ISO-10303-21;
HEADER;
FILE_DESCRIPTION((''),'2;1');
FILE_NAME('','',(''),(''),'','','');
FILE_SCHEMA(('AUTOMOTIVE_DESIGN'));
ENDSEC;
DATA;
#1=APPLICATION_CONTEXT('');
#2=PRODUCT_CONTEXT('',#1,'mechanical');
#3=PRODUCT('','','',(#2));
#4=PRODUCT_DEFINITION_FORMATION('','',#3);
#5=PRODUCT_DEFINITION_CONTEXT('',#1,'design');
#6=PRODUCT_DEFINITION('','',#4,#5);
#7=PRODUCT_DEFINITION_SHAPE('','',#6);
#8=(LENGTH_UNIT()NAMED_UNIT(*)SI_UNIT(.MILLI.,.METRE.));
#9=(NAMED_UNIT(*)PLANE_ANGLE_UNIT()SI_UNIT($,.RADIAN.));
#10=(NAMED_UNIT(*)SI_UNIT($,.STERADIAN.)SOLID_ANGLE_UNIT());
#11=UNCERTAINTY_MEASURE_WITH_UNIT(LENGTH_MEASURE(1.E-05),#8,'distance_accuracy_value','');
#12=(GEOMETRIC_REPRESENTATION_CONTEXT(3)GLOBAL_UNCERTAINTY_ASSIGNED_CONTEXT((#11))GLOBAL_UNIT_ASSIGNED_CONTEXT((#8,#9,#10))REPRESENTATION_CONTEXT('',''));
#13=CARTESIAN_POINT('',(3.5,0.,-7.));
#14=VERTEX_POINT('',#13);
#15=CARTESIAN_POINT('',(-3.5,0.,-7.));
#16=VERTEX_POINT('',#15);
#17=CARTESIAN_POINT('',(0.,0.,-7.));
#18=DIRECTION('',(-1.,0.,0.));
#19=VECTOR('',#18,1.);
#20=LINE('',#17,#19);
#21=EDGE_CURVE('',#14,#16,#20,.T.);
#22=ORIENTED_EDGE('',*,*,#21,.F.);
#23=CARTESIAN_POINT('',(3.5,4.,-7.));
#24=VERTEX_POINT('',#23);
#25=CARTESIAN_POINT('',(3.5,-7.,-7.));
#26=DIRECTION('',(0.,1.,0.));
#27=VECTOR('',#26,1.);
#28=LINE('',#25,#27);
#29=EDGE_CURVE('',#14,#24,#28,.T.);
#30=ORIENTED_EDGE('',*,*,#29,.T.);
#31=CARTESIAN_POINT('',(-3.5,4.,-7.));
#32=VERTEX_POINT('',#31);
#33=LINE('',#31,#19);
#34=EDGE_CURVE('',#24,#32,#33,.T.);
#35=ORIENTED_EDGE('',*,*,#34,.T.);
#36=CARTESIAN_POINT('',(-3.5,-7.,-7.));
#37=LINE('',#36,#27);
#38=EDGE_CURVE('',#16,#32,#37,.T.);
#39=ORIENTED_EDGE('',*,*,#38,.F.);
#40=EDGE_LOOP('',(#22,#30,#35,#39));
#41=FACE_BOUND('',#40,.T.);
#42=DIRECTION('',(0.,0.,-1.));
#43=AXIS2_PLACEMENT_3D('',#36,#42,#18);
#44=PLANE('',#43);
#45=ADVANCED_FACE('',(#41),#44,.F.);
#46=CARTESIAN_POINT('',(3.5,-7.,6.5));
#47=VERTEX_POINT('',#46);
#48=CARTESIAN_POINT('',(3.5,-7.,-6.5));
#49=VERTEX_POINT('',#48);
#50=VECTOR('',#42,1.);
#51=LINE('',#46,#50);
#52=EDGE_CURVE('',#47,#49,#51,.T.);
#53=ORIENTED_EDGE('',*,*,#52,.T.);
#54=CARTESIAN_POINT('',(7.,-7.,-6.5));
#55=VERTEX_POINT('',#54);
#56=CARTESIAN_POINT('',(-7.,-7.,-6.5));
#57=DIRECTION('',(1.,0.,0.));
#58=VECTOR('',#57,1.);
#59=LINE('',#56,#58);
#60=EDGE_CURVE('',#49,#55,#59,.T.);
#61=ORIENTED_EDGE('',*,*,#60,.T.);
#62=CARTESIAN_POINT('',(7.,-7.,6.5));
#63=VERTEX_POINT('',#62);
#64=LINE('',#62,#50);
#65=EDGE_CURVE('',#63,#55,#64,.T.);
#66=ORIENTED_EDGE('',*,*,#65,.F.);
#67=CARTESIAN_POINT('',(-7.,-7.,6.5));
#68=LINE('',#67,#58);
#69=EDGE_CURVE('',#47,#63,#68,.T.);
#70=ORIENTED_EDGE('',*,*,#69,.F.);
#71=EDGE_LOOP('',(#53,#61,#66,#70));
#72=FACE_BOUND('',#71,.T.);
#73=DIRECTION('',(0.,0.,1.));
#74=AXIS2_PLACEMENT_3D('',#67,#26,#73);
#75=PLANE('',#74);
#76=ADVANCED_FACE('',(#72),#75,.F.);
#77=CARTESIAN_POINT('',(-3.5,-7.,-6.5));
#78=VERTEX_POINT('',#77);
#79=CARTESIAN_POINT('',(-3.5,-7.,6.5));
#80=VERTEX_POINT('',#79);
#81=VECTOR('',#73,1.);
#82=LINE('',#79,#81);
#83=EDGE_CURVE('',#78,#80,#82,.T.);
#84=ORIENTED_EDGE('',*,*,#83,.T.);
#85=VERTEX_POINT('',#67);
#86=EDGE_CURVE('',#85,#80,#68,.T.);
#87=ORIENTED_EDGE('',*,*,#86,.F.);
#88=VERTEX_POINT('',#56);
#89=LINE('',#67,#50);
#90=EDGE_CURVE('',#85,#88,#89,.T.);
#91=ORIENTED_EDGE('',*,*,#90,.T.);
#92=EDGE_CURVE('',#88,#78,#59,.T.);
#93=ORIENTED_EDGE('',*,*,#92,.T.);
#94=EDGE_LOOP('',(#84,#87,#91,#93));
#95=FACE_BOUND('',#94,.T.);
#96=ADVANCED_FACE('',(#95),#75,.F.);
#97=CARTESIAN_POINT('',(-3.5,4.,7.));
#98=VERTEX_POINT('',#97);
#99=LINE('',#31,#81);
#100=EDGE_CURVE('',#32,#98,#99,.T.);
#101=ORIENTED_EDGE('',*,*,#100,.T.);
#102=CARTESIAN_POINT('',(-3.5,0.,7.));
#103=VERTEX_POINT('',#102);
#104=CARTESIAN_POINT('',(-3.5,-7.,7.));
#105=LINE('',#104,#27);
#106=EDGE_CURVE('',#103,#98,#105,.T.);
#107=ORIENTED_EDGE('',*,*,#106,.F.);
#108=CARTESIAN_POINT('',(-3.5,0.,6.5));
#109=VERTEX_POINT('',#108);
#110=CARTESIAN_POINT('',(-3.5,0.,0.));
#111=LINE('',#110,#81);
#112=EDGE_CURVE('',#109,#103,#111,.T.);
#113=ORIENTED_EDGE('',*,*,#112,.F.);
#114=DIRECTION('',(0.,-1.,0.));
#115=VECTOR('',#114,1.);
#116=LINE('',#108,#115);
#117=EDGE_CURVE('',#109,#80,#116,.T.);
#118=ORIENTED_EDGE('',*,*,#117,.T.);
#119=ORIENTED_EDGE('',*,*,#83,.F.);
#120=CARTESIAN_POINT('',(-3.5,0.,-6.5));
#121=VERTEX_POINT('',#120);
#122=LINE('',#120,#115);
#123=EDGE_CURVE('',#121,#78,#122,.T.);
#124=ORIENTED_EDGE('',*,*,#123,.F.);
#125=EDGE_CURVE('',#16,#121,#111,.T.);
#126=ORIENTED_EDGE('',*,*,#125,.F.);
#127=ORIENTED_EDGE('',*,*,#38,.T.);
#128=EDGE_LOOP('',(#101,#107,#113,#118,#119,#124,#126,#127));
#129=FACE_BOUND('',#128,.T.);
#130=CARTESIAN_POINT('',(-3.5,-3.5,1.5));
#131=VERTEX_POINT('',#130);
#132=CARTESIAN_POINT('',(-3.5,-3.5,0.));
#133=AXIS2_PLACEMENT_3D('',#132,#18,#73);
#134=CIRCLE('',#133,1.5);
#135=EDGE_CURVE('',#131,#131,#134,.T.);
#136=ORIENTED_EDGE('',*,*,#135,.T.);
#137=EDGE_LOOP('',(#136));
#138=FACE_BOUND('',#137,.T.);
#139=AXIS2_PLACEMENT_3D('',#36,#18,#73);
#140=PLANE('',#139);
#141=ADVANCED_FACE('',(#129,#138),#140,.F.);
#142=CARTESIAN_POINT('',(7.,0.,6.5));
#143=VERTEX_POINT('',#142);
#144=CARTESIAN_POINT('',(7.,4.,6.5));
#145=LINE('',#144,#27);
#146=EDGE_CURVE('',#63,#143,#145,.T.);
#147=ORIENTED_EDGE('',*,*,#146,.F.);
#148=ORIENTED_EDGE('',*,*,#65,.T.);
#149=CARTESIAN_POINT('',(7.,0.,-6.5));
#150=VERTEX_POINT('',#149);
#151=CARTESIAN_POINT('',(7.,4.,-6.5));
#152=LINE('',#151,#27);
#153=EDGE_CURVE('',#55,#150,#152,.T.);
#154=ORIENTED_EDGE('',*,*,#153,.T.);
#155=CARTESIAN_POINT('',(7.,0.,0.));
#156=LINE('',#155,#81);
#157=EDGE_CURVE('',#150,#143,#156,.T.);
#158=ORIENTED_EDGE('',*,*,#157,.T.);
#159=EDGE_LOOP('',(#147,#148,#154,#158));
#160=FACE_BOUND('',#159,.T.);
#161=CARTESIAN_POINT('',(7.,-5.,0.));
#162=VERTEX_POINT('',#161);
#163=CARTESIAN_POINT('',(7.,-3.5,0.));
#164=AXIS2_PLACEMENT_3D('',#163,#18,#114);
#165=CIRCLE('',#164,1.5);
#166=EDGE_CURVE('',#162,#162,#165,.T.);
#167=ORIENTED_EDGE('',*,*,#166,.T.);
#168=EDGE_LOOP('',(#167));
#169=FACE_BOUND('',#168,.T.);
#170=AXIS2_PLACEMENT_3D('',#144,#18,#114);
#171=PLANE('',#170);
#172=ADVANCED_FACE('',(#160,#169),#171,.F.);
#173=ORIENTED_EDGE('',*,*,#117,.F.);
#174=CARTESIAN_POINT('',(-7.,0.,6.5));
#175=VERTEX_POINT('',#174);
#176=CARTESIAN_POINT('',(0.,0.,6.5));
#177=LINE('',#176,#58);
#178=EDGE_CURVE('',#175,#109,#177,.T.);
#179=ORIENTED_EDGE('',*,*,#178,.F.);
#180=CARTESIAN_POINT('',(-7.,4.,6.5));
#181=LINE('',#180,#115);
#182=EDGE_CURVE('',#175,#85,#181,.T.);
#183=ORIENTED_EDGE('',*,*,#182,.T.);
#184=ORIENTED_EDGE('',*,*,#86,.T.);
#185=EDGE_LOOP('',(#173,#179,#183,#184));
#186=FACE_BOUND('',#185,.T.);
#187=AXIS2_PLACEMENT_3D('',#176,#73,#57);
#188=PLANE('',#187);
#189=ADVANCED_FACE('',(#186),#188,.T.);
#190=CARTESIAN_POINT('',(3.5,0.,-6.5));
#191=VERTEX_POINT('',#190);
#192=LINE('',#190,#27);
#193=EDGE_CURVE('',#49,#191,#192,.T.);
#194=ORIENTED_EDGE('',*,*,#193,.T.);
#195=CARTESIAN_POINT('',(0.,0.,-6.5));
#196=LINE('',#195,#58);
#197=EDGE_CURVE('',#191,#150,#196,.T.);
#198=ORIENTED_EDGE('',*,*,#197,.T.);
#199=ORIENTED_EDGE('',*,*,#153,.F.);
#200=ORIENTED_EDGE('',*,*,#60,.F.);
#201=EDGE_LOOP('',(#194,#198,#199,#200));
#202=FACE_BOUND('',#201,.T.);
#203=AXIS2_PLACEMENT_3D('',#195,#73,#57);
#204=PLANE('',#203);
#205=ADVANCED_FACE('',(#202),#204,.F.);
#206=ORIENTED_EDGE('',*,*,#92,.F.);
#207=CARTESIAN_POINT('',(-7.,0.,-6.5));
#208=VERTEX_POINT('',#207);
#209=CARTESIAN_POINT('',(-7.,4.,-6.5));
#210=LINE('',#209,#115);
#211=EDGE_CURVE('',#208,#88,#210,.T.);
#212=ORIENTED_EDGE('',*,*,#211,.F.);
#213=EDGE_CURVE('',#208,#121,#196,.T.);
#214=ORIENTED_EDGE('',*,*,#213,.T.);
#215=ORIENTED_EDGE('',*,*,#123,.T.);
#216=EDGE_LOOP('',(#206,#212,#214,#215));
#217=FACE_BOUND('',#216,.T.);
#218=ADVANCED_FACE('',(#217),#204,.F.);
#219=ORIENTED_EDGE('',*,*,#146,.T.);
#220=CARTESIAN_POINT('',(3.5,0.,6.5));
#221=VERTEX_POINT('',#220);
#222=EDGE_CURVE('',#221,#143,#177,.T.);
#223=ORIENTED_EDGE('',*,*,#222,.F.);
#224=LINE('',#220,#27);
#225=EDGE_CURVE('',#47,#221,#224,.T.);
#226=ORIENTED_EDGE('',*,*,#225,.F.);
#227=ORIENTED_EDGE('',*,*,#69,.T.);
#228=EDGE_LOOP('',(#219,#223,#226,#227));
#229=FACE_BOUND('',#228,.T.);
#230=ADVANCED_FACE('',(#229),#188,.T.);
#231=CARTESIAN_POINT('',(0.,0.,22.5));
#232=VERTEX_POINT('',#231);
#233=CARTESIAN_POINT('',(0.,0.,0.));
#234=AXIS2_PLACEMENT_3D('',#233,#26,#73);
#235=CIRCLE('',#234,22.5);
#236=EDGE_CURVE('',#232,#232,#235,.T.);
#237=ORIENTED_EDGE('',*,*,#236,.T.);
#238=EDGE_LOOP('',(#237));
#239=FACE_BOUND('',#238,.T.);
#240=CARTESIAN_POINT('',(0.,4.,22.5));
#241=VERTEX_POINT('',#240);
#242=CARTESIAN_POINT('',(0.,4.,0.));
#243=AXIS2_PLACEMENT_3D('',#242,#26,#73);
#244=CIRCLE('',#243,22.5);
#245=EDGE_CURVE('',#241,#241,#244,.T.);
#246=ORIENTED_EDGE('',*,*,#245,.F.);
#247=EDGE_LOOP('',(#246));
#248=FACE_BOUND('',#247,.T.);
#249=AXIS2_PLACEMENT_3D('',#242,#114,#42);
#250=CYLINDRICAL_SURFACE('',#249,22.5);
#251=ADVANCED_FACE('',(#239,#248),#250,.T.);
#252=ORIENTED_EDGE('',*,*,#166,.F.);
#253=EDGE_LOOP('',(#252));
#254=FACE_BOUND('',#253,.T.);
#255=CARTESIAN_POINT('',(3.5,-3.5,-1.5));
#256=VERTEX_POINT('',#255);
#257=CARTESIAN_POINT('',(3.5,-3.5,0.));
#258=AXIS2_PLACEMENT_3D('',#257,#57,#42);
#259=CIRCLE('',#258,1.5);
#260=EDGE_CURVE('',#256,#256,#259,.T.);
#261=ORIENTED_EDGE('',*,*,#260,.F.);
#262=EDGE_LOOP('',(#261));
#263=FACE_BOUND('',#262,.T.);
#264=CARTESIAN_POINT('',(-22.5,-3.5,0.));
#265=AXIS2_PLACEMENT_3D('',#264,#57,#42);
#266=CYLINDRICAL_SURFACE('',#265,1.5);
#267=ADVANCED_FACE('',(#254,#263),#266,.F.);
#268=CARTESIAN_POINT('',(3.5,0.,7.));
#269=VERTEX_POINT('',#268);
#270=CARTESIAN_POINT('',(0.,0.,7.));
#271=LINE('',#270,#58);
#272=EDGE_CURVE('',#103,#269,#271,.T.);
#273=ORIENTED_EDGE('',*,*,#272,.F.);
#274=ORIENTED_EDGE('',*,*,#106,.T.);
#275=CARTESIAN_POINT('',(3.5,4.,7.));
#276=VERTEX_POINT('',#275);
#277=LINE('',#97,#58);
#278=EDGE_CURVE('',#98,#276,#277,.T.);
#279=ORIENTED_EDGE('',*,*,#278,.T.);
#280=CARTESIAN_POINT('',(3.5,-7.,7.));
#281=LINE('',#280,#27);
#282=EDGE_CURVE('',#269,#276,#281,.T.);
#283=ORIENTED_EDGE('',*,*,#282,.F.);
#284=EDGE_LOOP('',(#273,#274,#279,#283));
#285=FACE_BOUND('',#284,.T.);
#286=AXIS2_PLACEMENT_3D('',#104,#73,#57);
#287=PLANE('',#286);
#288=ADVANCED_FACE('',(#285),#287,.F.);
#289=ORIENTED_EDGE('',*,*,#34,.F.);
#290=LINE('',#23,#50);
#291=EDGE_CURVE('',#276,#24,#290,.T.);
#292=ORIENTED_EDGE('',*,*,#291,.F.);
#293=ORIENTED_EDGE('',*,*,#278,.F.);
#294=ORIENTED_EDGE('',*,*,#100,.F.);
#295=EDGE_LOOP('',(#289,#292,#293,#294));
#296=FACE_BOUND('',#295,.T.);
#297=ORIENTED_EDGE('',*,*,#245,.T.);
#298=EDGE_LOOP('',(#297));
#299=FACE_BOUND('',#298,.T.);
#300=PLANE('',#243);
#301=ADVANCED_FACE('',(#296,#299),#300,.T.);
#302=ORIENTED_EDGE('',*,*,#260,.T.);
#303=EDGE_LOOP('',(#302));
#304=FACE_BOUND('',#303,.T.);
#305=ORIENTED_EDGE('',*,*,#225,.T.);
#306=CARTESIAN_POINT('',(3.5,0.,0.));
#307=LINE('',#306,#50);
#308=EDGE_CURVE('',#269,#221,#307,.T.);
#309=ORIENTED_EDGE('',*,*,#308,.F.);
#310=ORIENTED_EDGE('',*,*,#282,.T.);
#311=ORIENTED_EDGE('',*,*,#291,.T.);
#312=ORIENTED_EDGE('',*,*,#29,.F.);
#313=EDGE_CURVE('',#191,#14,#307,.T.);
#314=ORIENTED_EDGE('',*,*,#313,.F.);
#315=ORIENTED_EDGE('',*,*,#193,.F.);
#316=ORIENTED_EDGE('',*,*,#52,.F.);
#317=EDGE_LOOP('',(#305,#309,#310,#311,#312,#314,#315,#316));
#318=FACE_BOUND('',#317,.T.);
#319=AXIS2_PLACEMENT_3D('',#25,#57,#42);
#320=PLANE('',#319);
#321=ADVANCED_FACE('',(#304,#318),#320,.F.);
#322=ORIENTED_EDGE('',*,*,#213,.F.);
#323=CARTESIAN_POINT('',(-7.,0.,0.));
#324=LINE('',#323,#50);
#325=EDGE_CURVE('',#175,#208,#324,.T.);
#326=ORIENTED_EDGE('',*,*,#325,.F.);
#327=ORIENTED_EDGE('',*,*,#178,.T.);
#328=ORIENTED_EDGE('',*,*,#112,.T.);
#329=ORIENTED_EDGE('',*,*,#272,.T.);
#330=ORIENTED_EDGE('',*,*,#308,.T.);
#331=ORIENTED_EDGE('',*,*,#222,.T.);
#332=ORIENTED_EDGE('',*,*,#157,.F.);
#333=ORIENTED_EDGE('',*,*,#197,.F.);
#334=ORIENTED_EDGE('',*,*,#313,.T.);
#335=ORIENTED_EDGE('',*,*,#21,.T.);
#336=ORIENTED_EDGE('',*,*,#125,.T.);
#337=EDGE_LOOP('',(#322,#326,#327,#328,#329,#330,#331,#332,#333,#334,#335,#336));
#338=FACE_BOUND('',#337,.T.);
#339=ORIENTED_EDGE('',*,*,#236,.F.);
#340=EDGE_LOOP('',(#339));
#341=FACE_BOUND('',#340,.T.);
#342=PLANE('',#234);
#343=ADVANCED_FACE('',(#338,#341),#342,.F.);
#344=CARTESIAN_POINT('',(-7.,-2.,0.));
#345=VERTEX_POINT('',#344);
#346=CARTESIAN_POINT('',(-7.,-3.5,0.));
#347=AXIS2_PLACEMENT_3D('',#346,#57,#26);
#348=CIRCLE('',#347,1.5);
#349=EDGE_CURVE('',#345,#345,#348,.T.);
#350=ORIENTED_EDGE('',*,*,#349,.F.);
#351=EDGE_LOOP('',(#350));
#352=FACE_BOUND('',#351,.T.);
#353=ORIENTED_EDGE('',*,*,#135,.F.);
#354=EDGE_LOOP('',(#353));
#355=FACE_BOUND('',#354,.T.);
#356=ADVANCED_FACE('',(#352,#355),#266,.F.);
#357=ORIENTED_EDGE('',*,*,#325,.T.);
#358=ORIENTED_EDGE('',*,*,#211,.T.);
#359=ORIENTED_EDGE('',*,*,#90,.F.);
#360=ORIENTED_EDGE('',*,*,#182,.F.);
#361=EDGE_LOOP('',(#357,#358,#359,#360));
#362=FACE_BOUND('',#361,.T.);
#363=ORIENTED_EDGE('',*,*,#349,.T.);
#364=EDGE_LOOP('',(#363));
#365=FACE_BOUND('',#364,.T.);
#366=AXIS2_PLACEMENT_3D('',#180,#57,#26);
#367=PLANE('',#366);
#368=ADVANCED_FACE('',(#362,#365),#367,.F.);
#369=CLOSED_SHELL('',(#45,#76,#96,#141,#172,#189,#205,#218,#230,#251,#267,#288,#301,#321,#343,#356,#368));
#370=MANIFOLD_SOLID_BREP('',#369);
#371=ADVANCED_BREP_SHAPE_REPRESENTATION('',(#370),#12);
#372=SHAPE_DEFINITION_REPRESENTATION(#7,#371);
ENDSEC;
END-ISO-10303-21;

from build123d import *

# Parameters (mm, degrees)
SKETCH1_R               = 22.5
BOSS_EXTRUDE1_DEPTH     = 4
SKETCH3_W               = 14
SKETCH3_H               = 11
BOSS_EXTRUDE2_DEPTH     = 6.5
SKETCH4_W               = 7
SKETCH4_H               = 14
CUT_EXTRUDE1_DEPTH      = 5
CUT_EXTRUDE1_DEPTH_BACK = 8
SKETCH5_R               = 1.5
CUT_EXTRUDE2_DEPTH      = 23.5
CUT_EXTRUDE2_DEPTH_BACK = 23.5


with BuildPart() as part:
    # Sketch1 → Boss-Extrude1 (new body)
    with BuildSketch(Plane(origin=(0, 0, 0), x_dir=(1, 0, 0), z_dir=(0, 1, 0))):
        Circle(SKETCH1_R)
    extrude(amount=BOSS_EXTRUDE1_DEPTH)

    # Sketch3 → Boss-Extrude2 (add, symmetric)
    with BuildSketch(Plane.XY):
        with Locations((0, -1.5)):
            Rectangle(SKETCH3_W, SKETCH3_H)
    extrude(amount=BOSS_EXTRUDE2_DEPTH, both=True)

    # Sketch4 → Cut-Extrude1 (cut, two sides)
    with BuildSketch(Plane(origin=(0, 0, 0), x_dir=(1, 0, 0), z_dir=(0, 1, 0))) as cut_extrude1_sk:
        Rectangle(SKETCH4_W, SKETCH4_H)
    extrude(amount=CUT_EXTRUDE1_DEPTH, mode=Mode.SUBTRACT)
    extrude(cut_extrude1_sk.sketch, amount=-CUT_EXTRUDE1_DEPTH_BACK, mode=Mode.SUBTRACT)

    # Sketch5 → Cut-Extrude2 (cut, two sides)
    with BuildSketch(Plane(origin=(0, 0, 0), x_dir=(0, 0, -1), z_dir=(1, 0, 0))) as cut_extrude2_sk:
        with Locations((0, -3.5)):
            Circle(SKETCH5_R)
    extrude(amount=CUT_EXTRUDE2_DEPTH, mode=Mode.SUBTRACT)
    extrude(cut_extrude2_sk.sketch, amount=-CUT_EXTRUDE2_DEPTH_BACK, mode=Mode.SUBTRACT)


solid = part.part
